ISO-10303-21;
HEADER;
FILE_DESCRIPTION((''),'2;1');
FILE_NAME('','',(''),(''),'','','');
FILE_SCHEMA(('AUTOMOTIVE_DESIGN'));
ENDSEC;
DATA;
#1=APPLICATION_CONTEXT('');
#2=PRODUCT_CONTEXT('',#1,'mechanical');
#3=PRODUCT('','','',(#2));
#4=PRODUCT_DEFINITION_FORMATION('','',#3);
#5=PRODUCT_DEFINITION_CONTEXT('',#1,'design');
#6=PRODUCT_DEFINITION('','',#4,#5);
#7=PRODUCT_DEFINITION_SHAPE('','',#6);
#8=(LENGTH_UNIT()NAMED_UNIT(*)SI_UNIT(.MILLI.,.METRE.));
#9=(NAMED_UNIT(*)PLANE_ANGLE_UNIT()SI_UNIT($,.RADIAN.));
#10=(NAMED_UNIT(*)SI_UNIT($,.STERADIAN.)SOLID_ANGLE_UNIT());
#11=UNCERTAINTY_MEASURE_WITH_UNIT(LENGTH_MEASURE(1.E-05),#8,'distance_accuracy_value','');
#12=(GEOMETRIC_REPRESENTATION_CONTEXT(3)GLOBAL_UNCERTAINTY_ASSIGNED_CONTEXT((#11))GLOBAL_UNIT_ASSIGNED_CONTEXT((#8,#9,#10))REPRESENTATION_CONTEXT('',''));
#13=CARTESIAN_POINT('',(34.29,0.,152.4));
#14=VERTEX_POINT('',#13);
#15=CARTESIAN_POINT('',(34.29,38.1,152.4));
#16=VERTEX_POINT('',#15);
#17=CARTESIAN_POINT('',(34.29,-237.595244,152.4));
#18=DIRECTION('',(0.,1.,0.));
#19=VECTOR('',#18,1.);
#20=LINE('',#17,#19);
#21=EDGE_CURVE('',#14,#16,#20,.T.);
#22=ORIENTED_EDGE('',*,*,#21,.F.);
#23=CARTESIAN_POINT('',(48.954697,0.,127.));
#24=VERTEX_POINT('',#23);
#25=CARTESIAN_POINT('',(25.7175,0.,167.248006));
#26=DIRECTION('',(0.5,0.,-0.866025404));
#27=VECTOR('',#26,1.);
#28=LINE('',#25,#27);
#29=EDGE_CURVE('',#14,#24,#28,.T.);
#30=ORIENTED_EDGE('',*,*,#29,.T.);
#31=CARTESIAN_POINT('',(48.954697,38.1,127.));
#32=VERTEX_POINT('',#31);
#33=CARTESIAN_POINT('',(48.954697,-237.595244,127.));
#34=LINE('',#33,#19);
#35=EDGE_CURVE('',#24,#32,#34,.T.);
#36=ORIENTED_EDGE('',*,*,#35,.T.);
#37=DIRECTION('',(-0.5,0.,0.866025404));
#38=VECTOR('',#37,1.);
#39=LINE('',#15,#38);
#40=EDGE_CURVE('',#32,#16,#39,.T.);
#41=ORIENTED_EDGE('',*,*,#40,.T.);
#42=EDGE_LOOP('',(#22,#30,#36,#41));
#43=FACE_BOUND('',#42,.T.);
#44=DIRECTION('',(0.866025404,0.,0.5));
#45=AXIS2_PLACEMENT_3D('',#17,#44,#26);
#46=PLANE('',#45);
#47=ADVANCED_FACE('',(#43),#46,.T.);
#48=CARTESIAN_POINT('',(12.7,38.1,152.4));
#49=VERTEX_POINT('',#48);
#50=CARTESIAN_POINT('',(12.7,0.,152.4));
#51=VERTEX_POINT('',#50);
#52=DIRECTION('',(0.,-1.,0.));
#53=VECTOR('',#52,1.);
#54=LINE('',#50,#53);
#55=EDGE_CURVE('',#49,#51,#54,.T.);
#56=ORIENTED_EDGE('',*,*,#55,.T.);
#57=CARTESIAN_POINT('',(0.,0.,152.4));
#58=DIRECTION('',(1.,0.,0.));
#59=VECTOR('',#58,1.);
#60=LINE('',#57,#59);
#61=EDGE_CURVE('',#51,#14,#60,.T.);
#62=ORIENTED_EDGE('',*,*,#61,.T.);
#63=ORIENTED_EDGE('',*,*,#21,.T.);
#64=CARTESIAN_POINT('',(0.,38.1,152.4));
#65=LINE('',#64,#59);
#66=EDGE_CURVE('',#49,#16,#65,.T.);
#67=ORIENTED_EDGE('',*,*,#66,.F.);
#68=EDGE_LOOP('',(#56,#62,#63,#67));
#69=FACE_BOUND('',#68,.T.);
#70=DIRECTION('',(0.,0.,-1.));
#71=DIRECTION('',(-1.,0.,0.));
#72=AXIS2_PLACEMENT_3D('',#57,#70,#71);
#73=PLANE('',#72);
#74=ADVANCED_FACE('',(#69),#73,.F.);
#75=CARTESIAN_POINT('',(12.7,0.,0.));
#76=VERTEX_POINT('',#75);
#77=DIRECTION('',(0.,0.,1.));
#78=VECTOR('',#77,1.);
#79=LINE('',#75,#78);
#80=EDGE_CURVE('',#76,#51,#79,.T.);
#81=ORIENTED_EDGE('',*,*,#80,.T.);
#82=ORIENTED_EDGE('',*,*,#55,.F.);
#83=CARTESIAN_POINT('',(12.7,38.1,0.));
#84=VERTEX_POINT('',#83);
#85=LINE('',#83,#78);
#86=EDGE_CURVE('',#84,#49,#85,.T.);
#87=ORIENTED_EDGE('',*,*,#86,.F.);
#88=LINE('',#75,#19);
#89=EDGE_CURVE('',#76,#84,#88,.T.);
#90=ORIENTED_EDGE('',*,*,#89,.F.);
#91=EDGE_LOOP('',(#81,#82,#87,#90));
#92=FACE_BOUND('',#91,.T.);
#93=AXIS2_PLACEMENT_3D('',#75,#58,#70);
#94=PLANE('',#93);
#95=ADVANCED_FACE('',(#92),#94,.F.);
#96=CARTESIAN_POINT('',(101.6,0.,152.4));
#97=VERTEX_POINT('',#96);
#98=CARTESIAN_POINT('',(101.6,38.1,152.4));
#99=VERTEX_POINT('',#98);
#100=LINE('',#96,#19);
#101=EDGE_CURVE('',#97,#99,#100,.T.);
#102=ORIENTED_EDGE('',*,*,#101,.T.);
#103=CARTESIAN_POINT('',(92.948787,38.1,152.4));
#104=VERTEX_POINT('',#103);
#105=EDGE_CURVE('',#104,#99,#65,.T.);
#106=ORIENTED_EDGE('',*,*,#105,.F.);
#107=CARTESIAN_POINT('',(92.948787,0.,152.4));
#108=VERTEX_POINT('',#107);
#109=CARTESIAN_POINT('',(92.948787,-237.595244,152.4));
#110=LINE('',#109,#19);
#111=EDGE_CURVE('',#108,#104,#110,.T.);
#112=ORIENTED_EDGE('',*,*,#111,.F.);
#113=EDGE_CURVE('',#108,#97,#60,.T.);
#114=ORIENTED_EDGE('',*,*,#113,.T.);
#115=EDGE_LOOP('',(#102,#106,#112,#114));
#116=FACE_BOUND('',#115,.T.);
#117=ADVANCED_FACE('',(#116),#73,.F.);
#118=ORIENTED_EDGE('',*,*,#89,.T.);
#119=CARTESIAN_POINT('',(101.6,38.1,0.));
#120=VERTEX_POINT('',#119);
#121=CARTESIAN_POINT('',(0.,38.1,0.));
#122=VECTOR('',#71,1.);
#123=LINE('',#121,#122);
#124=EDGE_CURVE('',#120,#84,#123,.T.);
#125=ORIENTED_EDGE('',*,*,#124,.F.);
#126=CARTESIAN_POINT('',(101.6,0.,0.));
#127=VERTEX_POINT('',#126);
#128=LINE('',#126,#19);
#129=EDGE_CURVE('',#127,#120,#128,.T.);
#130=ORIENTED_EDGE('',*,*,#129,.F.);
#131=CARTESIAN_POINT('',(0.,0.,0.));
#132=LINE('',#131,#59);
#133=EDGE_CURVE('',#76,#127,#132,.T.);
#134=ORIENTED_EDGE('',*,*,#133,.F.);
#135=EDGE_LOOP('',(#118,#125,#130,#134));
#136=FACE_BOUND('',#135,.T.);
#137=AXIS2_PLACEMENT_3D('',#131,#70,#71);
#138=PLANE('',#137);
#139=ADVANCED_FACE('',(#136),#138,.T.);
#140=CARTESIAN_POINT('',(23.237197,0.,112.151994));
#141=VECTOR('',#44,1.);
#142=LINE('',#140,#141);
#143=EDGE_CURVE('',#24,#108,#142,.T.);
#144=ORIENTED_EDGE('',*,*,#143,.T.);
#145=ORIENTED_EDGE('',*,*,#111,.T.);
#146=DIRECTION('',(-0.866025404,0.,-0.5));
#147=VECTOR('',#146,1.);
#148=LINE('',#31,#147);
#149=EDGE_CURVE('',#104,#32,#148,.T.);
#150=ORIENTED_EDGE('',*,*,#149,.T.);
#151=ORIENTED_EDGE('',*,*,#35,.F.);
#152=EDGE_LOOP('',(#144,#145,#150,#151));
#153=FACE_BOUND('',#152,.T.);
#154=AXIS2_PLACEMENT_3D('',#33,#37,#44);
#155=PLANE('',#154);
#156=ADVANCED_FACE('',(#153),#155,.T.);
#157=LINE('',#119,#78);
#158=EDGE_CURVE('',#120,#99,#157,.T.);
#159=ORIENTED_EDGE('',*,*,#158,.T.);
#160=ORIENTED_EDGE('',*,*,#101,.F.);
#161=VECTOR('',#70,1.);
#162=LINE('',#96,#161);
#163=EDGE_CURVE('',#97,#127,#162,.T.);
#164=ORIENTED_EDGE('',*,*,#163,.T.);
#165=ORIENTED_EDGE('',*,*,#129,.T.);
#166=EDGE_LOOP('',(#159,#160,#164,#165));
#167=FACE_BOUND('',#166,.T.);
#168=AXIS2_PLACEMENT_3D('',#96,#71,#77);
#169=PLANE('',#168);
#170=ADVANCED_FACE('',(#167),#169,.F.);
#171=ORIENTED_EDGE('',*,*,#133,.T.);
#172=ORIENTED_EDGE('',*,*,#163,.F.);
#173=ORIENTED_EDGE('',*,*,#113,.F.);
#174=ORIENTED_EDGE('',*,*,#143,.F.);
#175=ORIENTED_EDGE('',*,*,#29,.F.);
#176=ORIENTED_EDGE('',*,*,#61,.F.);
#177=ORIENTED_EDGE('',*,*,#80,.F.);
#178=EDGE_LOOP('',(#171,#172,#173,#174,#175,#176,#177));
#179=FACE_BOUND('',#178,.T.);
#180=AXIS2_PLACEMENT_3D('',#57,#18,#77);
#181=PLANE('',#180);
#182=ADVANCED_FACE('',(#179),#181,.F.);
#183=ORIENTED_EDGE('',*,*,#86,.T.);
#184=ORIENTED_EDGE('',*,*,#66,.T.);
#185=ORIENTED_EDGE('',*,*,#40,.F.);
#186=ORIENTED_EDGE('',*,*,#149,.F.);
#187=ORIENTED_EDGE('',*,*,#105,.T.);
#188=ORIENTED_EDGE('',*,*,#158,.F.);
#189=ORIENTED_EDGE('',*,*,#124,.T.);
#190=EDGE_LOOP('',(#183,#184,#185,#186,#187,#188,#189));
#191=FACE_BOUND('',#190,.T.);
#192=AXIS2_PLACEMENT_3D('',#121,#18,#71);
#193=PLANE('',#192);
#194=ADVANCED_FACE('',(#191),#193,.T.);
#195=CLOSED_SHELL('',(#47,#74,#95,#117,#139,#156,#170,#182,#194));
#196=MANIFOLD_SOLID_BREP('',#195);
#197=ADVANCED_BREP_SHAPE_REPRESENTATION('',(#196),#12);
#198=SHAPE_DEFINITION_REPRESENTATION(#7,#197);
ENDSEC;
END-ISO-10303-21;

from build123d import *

# Parameters (mm, degrees)
SKETCH2_W               = 101.6
SKETCH2_H               = 50.8
BOSS_EXTRUDE1_DEPTH     = 152.4
CUT_EXTRUDE1_DEPTH      = 191.076195248
CUT_EXTRUDE1_DEPTH_BACK = 191.076195248
CUT_EXTRUDE2_DEPTH      = 191.076195248
CUT_EXTRUDE2_DEPTH_BACK = 191.076195248
SKETCH4_W               = 67.31
SKETCH4_H               = 12.7


with BuildPart() as part:
    # Sketch2 → Boss-Extrude1 (new body)
    with BuildSketch(Plane.XY):
        with Locations((50.8, 25.4)):
            Rectangle(SKETCH2_W, SKETCH2_H)
    extrude(amount=BOSS_EXTRUDE1_DEPTH)

    # Sketch3 → Cut-Extrude1 (cut, two sides: drawn at the far end of the back side and taken through both)
    with BuildSketch(Plane.XZ.offset(-CUT_EXTRUDE1_DEPTH_BACK)):
        Polygon((-149.218366946, 470.245815165), (34.29, 152.4), (48.954696837, 127), (92.94878735, 152.4), (410.794602514, 335.908366946), (582.019022435, 1049.69217865), (22.006052975, 1184.029626869), align=None)
    extrude(amount=CUT_EXTRUDE1_DEPTH + CUT_EXTRUDE1_DEPTH_BACK, mode=Mode.SUBTRACT)

    # Sketch4 → Cut-Extrude2 (cut, two sides: drawn at the far end of the back side and taken through both)
    with BuildSketch(Plane.XY.offset(152.4).offset(-CUT_EXTRUDE2_DEPTH_BACK)):
        Polygon((0, 0), (12.7, 0), (12.7, 38.1), (34.29, 38.1), (34.29, 50.8), (0, 50.8), align=None)
        with Locations((67.945, 44.45)):
            Rectangle(SKETCH4_W, SKETCH4_H)
    extrude(amount=CUT_EXTRUDE2_DEPTH + CUT_EXTRUDE2_DEPTH_BACK, mode=Mode.SUBTRACT)


solid = part.part
